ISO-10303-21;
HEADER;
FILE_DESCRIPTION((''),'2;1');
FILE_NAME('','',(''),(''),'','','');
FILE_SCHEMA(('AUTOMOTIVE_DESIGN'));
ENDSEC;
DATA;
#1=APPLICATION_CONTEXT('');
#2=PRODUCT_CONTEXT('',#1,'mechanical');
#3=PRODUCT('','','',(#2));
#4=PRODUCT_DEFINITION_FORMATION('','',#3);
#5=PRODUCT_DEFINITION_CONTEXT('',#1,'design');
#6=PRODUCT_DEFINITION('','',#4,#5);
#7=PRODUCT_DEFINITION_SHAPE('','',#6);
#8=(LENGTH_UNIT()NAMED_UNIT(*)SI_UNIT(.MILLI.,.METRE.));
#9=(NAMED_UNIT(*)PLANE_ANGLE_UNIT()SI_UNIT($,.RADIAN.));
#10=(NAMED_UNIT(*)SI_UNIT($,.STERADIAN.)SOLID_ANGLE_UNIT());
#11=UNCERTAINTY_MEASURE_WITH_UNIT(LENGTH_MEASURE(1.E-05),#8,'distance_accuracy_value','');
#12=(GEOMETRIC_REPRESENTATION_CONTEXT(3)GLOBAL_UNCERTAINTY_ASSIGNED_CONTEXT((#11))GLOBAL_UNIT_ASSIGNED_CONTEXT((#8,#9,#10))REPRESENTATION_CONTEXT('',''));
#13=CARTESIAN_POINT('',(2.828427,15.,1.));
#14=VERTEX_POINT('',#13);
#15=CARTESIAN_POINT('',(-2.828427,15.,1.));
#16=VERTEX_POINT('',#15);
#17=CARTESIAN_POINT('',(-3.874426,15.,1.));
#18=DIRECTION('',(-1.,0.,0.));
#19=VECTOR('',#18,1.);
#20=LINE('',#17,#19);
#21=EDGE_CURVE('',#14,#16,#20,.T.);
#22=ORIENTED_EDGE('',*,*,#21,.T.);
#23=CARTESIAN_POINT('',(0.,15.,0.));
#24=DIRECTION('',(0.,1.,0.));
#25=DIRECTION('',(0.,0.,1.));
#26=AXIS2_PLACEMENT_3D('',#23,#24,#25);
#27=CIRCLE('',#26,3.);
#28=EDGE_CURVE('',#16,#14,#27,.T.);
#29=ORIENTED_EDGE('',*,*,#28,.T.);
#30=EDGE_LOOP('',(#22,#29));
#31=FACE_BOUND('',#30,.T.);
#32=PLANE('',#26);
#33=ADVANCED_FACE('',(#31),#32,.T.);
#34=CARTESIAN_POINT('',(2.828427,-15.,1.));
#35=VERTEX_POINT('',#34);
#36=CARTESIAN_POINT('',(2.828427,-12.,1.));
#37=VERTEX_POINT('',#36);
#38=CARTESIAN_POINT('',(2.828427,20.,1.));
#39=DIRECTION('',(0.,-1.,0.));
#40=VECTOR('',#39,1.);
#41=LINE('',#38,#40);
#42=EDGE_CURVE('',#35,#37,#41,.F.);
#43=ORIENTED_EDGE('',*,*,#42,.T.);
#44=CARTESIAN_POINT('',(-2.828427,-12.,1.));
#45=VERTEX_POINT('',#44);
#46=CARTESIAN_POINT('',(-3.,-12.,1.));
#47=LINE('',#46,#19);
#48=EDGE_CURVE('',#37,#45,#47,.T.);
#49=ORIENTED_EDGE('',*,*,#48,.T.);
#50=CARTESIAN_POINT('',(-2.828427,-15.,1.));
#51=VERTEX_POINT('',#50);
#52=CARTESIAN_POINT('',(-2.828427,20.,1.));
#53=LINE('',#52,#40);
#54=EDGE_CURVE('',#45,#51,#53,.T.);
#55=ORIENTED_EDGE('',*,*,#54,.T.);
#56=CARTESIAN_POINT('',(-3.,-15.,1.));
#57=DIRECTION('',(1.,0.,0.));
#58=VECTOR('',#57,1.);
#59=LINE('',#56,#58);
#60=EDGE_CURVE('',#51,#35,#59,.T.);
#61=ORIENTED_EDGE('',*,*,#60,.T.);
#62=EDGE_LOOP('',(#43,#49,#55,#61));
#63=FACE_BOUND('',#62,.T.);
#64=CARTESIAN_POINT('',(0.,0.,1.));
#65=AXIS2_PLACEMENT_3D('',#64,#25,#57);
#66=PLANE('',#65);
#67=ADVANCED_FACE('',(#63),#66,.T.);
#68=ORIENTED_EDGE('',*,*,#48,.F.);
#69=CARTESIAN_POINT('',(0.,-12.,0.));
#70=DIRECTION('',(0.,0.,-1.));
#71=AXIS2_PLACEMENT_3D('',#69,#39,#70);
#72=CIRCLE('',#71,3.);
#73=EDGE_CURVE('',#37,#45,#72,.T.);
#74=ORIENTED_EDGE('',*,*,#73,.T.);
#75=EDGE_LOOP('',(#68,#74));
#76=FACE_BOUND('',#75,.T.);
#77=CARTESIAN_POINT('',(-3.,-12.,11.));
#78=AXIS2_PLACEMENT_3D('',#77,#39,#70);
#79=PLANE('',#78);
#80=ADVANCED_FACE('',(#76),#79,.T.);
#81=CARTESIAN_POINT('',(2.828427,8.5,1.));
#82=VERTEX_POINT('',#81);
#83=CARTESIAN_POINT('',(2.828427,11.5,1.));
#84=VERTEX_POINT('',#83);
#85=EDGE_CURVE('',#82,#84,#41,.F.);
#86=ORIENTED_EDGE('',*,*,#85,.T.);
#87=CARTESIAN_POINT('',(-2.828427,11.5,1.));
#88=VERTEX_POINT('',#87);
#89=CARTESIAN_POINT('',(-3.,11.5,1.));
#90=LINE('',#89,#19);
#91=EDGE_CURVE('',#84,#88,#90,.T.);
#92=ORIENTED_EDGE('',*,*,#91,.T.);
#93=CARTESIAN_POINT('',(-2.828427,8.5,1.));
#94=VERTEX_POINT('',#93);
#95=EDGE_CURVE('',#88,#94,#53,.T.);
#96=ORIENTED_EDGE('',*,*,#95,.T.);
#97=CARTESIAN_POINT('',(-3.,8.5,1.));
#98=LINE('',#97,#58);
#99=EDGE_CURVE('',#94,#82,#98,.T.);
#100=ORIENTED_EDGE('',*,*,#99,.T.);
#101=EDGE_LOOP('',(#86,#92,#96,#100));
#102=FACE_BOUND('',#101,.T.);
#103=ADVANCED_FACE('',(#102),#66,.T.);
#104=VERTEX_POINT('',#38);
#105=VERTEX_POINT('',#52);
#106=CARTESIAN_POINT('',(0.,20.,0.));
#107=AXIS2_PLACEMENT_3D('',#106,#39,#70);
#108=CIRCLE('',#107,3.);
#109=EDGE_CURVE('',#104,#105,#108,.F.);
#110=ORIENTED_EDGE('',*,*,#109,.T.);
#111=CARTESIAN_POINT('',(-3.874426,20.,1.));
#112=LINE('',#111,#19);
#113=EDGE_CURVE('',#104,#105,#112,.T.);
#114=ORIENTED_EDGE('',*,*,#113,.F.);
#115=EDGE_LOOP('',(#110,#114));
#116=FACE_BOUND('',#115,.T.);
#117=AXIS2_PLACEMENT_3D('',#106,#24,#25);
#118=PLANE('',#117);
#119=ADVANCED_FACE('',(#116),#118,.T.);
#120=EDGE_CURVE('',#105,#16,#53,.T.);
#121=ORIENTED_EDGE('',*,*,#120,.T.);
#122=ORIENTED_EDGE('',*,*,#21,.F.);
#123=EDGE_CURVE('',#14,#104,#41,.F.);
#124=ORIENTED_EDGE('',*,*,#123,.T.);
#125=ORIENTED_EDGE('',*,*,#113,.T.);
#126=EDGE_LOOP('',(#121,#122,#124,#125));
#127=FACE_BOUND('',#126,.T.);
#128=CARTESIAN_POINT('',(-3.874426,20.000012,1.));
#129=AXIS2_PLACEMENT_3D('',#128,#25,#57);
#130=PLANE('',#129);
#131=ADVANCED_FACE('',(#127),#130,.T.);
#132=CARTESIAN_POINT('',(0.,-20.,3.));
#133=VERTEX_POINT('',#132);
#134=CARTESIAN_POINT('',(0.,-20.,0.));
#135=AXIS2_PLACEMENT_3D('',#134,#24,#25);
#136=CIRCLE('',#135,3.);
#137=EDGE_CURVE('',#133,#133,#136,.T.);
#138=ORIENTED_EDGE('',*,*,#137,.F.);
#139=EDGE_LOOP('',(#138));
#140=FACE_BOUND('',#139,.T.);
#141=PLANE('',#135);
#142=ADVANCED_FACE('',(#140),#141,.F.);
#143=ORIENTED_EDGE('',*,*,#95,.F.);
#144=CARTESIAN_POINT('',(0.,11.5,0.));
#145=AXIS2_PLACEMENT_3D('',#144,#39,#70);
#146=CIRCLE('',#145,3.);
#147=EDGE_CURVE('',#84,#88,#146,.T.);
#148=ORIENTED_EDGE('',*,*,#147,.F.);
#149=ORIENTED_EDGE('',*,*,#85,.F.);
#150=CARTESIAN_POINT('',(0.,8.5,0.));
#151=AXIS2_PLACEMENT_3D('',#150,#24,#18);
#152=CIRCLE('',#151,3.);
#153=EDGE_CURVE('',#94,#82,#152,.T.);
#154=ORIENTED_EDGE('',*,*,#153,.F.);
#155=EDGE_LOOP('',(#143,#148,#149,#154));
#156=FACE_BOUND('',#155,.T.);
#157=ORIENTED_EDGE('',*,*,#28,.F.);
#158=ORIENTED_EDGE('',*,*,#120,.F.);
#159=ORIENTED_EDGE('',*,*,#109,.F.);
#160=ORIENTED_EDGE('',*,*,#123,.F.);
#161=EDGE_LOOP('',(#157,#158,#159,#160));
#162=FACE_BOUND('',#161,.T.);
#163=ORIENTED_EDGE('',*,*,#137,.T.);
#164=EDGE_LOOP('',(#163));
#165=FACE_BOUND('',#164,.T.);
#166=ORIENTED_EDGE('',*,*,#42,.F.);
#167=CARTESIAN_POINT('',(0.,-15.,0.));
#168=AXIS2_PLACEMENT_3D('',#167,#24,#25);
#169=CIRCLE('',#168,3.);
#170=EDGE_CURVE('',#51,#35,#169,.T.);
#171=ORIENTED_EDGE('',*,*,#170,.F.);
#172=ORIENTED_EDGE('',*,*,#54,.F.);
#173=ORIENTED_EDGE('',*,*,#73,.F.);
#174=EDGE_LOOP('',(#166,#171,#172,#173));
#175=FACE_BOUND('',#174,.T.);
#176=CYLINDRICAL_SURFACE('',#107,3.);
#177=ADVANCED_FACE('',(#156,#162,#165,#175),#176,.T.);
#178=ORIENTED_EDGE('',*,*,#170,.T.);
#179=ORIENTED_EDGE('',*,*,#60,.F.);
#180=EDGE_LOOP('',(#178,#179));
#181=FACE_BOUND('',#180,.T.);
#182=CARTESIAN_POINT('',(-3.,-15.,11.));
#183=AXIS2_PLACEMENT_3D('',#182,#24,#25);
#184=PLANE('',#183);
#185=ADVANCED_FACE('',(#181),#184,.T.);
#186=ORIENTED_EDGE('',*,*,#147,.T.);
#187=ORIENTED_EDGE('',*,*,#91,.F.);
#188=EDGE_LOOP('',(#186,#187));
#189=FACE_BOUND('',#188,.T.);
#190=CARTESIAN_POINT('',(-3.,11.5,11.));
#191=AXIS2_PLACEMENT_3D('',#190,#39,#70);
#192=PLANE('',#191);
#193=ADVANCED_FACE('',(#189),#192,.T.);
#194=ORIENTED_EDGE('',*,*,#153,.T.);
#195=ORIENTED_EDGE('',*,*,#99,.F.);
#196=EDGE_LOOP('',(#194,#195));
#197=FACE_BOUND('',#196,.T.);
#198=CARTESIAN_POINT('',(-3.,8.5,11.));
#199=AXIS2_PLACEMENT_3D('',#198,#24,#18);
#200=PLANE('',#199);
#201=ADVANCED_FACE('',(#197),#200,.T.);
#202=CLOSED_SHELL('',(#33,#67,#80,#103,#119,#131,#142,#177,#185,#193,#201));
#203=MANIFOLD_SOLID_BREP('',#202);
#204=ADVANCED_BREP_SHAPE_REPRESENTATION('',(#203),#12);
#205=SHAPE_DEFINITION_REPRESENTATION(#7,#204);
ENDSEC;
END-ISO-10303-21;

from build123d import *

# Parameters (mm, degrees)
CROQUIS1_R                 = 3
SALIENTE_EXTRUIR1_DEPTH    = 20
CORTAR_EXTRUIR2_DEPTH      = 41.224370722
CORTAR_EXTRUIR2_DEPTH_BACK = 5
CROQUIS3_W                 = 8.224241852
CROQUIS3_H                 = 2
CROQUIS8_W                 = 6
CROQUIS8_H                 = 3
CORTAR_EXTRUIR4_DEPTH      = 10


with BuildPart() as part:
    # Croquis1 → Saliente-Extruir1 (new, symmetric)
    with BuildSketch(Plane(origin=(0, 0, 0), x_dir=(1, 0, 0), z_dir=(0, 1, 0))):
        Circle(CROQUIS1_R)
    extrude(amount=SALIENTE_EXTRUIR1_DEPTH, both=True)

    # Croquis3 → Cortar-Extruir2 (cut, two sides: drawn at the far end of the back side and taken through both)
    with BuildSketch(Plane(origin=(0, 20, 0), x_dir=(1, 0, 0), z_dir=(0, 1, 0)).offset(-CORTAR_EXTRUIR2_DEPTH_BACK)):
        with Locations((0.237694851, -2)):
            Rectangle(CROQUIS3_W, CROQUIS3_H)
    extrude(amount=CORTAR_EXTRUIR2_DEPTH + CORTAR_EXTRUIR2_DEPTH_BACK, mode=Mode.SUBTRACT)

    # Croquis8 → Cortar-Extruir4 (cut)
    with BuildSketch(Plane.XY.offset(1)):
        with Locations((0, 10)):
            Rectangle(CROQUIS8_W, CROQUIS8_H)
        with Locations((0, -13.5)):
            Rectangle(CROQUIS8_W, CROQUIS8_H)
    extrude(amount=CORTAR_EXTRUIR4_DEPTH, mode=Mode.SUBTRACT)


solid = part.part
